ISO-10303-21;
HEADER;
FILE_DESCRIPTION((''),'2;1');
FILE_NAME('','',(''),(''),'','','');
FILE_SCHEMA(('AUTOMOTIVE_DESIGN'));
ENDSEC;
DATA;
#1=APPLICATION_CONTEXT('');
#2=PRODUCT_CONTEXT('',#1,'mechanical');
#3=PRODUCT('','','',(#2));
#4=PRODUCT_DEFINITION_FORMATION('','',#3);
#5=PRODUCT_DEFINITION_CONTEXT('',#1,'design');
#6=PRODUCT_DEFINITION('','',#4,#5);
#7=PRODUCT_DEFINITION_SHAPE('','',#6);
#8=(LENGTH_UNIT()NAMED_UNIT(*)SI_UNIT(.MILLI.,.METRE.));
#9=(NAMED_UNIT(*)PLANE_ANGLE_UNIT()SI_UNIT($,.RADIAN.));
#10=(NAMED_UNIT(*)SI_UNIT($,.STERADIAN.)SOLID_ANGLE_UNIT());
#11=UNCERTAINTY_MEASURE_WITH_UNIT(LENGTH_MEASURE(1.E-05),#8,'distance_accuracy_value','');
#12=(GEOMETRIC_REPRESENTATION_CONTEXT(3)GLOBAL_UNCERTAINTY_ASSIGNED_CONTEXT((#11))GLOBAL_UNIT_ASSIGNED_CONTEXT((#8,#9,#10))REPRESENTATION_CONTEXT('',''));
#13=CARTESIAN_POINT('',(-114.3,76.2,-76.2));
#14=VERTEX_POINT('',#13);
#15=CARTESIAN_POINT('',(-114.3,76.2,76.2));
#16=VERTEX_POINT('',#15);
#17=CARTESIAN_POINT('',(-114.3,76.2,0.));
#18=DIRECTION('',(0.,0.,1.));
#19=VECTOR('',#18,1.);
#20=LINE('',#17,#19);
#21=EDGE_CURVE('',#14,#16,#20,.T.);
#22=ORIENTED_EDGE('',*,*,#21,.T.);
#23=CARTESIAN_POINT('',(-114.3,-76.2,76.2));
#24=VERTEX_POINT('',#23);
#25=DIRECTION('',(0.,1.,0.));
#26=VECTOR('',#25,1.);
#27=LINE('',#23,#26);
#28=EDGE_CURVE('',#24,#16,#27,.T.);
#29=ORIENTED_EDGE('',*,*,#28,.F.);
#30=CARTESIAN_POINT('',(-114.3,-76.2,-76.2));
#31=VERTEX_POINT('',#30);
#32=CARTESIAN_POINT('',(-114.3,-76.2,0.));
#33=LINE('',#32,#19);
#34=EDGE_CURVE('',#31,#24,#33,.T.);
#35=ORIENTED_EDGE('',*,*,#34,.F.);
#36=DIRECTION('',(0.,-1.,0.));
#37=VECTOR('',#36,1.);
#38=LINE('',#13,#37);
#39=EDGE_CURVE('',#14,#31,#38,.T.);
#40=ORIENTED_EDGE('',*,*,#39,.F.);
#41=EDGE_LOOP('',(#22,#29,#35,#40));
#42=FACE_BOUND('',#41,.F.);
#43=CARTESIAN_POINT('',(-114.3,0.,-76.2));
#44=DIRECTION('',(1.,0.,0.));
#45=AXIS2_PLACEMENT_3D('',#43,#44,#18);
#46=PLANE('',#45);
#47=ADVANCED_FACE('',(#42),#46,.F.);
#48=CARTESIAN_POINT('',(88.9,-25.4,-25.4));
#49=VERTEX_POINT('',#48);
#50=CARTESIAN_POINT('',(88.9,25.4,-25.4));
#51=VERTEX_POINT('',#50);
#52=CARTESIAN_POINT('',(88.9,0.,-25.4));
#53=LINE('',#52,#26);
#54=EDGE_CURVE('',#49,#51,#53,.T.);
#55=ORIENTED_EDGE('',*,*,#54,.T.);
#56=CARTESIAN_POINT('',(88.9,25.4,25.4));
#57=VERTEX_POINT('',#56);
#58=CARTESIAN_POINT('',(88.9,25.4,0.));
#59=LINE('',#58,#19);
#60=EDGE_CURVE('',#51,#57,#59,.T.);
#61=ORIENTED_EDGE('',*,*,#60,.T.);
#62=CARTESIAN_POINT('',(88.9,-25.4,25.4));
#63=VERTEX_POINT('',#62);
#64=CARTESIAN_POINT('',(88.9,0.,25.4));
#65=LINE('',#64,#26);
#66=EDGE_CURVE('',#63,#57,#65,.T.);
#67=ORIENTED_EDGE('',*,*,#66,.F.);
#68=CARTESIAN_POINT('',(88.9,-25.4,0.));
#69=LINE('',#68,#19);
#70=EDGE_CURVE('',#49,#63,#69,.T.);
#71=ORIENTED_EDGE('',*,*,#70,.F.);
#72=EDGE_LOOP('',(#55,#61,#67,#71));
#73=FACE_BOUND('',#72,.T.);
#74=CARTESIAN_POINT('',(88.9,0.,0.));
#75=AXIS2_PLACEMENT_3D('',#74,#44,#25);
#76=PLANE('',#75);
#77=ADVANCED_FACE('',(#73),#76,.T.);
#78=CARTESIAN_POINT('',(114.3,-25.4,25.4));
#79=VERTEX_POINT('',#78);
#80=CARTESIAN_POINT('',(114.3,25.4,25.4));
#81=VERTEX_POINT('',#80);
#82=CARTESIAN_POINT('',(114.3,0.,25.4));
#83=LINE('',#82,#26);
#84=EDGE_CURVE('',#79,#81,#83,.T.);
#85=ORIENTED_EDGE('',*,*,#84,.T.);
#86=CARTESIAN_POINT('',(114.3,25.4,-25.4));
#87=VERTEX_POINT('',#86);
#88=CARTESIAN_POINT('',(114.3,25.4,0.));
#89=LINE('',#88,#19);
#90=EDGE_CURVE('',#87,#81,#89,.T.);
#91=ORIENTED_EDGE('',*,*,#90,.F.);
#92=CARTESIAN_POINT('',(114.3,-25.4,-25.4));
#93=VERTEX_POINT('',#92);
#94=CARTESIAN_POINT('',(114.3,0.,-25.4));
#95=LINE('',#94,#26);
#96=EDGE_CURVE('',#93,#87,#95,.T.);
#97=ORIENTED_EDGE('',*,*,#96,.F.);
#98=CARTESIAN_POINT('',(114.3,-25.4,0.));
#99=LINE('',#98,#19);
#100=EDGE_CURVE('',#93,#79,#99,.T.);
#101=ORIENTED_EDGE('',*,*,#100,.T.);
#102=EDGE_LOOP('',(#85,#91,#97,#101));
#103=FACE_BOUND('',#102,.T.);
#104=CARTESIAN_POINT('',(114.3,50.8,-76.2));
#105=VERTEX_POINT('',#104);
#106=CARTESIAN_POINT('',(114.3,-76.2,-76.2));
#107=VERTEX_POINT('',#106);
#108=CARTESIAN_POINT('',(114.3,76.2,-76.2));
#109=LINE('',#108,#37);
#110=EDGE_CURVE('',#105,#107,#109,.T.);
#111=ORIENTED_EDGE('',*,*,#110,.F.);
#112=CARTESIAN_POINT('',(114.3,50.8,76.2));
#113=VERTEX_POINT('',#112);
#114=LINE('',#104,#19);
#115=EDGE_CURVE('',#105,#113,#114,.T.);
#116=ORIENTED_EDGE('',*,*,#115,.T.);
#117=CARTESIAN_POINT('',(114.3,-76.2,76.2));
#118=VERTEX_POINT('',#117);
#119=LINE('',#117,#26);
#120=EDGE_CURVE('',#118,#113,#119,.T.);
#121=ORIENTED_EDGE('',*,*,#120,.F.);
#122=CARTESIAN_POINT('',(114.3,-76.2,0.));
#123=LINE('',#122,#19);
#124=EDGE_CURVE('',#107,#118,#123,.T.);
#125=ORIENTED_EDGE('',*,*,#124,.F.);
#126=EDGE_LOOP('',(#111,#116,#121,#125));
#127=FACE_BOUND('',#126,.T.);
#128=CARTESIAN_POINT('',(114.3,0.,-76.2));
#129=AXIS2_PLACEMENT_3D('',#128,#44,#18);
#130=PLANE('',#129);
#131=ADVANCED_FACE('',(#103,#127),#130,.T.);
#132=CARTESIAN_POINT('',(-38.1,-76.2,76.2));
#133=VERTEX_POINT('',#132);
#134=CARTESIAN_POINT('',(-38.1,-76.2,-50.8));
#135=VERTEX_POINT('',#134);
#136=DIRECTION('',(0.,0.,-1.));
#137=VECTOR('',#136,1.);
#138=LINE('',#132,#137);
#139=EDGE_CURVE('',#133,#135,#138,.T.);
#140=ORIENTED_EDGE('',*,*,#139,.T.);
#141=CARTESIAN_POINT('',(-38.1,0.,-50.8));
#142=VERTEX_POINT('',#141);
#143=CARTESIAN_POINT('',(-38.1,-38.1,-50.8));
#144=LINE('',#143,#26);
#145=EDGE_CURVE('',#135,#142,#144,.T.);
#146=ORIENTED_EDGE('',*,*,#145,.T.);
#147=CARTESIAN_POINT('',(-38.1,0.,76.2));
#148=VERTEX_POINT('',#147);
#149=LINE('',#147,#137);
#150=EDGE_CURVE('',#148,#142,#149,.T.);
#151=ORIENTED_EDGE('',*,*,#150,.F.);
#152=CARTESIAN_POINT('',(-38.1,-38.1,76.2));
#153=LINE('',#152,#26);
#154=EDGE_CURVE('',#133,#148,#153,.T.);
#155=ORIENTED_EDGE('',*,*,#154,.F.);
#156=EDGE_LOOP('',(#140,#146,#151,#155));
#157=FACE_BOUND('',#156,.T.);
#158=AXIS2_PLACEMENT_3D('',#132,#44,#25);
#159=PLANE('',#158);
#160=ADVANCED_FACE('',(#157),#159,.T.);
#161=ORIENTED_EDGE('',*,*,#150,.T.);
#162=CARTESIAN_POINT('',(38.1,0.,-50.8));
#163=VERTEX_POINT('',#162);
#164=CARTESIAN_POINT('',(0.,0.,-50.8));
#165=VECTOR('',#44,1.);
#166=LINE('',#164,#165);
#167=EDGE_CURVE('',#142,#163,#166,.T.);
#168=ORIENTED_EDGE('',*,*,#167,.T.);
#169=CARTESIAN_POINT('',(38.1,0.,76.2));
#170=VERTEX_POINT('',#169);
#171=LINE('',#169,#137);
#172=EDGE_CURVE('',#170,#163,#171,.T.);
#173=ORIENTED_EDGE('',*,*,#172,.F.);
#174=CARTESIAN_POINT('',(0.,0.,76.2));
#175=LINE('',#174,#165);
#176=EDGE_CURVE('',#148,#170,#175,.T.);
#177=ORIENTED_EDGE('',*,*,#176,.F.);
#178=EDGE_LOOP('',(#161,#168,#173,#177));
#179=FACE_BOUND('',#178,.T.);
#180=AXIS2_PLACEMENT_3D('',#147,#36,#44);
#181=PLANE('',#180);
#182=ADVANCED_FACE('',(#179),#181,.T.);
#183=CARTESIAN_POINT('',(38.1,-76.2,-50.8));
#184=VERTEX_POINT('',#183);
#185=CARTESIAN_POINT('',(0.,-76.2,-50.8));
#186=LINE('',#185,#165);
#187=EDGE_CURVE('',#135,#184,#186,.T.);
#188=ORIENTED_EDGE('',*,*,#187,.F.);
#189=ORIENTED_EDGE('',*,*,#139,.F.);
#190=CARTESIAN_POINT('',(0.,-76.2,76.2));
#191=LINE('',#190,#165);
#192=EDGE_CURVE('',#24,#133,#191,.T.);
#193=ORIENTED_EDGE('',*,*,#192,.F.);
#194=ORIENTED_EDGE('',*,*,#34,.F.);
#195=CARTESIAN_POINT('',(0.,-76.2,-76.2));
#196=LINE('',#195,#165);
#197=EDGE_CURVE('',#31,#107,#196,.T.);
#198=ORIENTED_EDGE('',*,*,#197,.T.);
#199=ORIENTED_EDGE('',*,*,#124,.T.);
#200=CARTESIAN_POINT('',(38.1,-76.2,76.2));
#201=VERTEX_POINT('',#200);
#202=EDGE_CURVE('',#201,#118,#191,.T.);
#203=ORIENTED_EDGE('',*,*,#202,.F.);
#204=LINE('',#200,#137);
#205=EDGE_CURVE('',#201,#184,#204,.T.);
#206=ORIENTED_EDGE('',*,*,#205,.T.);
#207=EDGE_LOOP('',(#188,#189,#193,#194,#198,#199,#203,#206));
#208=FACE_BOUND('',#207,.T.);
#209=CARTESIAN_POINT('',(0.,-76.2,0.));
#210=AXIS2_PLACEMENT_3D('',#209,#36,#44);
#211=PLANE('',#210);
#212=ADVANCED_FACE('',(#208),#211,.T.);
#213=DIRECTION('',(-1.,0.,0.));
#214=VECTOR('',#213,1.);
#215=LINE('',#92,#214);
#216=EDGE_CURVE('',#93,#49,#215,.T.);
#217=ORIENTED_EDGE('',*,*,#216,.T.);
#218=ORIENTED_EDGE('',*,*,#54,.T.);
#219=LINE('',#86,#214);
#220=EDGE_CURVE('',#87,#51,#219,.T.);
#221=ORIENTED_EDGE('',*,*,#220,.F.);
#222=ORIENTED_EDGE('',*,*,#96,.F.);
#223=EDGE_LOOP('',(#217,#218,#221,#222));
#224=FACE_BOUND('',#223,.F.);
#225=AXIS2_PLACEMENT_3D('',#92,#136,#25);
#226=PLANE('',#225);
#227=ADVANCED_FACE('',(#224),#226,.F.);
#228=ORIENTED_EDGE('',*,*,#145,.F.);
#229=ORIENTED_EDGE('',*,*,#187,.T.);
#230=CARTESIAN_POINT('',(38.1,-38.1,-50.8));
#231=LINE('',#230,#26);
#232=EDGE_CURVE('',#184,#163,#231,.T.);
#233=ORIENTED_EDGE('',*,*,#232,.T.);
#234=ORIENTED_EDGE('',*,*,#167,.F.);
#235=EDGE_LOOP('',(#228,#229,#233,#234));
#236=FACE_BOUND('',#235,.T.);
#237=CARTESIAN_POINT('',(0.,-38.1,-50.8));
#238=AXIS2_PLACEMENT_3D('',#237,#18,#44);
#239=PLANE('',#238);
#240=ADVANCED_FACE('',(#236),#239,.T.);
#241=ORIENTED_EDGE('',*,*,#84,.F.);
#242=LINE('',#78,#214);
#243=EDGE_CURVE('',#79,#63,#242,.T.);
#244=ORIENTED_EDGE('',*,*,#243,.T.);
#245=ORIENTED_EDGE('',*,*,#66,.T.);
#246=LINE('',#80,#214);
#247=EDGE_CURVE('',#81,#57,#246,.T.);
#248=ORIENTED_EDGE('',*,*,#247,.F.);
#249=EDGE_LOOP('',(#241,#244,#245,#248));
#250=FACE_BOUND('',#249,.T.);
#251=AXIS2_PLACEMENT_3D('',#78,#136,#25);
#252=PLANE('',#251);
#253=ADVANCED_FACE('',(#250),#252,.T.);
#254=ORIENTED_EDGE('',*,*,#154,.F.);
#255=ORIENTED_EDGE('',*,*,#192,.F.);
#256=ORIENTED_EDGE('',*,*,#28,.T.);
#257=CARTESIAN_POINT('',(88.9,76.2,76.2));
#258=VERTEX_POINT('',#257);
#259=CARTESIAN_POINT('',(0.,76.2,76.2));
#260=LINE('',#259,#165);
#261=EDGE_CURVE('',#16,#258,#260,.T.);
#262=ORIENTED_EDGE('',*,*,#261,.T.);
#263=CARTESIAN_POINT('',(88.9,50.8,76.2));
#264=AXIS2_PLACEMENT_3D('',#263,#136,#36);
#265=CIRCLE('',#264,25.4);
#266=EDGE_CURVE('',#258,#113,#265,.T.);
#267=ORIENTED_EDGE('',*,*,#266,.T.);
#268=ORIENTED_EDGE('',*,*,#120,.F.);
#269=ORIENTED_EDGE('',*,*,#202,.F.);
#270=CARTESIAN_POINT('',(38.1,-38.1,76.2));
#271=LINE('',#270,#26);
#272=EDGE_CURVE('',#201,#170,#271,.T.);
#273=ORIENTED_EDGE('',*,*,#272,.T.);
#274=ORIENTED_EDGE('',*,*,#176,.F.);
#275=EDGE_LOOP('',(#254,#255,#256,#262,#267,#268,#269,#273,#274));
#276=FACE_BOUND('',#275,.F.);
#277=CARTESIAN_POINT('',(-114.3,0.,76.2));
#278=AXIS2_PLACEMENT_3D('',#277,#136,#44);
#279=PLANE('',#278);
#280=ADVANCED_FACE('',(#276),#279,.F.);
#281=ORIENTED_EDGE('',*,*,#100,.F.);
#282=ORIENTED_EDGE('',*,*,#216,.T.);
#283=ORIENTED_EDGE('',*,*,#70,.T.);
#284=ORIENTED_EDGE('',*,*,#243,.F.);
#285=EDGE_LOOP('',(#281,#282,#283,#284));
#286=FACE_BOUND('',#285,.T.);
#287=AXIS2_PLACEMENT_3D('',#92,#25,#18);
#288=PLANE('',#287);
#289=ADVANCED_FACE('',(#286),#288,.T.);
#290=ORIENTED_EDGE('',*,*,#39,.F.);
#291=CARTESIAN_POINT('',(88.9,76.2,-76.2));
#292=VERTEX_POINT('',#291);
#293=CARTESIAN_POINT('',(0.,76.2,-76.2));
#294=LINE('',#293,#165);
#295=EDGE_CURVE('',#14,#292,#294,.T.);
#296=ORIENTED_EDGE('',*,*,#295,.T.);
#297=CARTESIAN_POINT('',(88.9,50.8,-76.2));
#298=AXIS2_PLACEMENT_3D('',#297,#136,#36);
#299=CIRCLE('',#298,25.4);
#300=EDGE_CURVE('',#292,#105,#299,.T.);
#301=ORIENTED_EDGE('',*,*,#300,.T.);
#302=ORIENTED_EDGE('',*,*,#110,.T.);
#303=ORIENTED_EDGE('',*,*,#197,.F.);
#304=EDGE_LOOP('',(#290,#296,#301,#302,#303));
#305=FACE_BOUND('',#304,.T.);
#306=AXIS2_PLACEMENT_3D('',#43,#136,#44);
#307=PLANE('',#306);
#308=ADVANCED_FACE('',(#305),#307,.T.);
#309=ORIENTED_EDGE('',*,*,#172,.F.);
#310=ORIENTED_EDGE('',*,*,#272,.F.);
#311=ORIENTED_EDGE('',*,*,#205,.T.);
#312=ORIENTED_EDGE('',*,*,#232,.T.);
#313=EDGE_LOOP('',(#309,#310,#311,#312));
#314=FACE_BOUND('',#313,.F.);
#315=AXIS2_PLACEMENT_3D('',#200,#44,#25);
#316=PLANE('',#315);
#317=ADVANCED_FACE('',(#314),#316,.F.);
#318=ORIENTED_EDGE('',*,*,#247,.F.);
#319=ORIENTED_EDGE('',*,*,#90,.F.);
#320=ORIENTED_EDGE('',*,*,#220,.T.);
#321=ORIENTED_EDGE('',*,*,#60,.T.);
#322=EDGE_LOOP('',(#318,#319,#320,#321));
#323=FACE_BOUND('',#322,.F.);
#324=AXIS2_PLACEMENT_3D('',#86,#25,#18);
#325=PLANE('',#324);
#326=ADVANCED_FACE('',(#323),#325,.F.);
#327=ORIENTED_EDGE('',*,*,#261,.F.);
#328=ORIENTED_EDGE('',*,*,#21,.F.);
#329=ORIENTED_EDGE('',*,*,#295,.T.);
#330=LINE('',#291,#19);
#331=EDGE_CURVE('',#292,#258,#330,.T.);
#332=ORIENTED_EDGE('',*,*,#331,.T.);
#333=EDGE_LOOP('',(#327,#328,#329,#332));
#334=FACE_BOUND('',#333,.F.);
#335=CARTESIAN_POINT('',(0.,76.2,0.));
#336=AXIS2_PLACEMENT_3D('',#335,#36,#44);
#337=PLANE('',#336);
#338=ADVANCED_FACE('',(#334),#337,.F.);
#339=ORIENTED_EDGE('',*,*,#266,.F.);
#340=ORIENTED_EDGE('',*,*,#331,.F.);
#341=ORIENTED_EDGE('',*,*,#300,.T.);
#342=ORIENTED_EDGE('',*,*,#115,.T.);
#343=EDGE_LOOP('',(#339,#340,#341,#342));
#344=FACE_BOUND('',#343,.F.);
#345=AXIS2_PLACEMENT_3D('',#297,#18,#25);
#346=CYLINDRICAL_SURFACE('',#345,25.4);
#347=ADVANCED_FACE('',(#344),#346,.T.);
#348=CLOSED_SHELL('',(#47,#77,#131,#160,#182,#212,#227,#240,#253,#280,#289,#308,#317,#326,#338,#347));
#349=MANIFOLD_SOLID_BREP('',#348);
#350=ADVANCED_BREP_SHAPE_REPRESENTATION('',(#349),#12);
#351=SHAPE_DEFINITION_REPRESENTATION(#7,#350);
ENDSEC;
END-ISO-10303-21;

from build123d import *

# Parameters (mm, degrees)
F0_W     = 228.6
F0_H     = 152.4
F1_DEPTH = 76.2
F2_W     = 76.2
F2_H     = 76.2
F3_DEPTH = 127
F4_R     = 25.4
F5_W     = 50.8
F5_H     = 50.8
F6_DEPTH = 25.4


with BuildPart() as f1:
    # F0 (on Front) → F1 (new body, symmetric)
    with BuildSketch(Plane.XZ):
        Rectangle(F0_W, F0_H)
    extrude(amount=F1_DEPTH, both=True)

    # F2 (on face) → F3 (cut)
    with BuildSketch(Plane.XY.offset(76.2)):
        with Locations((0, -38.1)):
            Rectangle(F2_W, F2_H)
    extrude(amount=-F3_DEPTH, mode=Mode.SUBTRACT)

    # F4
    f4_edges = [f1.edges().sort_by_distance(p)[0] for p in [
        (114.3, 76.2, 0),
    ]]
    fillet(f4_edges, radius=F4_R)

    # F5 (on face) → F6 (cut)
    with BuildSketch(Plane.YZ.offset(114.3)):
        Rectangle(F5_W, F5_H)
    extrude(amount=-F6_DEPTH, mode=Mode.SUBTRACT)


solid = f1.part
